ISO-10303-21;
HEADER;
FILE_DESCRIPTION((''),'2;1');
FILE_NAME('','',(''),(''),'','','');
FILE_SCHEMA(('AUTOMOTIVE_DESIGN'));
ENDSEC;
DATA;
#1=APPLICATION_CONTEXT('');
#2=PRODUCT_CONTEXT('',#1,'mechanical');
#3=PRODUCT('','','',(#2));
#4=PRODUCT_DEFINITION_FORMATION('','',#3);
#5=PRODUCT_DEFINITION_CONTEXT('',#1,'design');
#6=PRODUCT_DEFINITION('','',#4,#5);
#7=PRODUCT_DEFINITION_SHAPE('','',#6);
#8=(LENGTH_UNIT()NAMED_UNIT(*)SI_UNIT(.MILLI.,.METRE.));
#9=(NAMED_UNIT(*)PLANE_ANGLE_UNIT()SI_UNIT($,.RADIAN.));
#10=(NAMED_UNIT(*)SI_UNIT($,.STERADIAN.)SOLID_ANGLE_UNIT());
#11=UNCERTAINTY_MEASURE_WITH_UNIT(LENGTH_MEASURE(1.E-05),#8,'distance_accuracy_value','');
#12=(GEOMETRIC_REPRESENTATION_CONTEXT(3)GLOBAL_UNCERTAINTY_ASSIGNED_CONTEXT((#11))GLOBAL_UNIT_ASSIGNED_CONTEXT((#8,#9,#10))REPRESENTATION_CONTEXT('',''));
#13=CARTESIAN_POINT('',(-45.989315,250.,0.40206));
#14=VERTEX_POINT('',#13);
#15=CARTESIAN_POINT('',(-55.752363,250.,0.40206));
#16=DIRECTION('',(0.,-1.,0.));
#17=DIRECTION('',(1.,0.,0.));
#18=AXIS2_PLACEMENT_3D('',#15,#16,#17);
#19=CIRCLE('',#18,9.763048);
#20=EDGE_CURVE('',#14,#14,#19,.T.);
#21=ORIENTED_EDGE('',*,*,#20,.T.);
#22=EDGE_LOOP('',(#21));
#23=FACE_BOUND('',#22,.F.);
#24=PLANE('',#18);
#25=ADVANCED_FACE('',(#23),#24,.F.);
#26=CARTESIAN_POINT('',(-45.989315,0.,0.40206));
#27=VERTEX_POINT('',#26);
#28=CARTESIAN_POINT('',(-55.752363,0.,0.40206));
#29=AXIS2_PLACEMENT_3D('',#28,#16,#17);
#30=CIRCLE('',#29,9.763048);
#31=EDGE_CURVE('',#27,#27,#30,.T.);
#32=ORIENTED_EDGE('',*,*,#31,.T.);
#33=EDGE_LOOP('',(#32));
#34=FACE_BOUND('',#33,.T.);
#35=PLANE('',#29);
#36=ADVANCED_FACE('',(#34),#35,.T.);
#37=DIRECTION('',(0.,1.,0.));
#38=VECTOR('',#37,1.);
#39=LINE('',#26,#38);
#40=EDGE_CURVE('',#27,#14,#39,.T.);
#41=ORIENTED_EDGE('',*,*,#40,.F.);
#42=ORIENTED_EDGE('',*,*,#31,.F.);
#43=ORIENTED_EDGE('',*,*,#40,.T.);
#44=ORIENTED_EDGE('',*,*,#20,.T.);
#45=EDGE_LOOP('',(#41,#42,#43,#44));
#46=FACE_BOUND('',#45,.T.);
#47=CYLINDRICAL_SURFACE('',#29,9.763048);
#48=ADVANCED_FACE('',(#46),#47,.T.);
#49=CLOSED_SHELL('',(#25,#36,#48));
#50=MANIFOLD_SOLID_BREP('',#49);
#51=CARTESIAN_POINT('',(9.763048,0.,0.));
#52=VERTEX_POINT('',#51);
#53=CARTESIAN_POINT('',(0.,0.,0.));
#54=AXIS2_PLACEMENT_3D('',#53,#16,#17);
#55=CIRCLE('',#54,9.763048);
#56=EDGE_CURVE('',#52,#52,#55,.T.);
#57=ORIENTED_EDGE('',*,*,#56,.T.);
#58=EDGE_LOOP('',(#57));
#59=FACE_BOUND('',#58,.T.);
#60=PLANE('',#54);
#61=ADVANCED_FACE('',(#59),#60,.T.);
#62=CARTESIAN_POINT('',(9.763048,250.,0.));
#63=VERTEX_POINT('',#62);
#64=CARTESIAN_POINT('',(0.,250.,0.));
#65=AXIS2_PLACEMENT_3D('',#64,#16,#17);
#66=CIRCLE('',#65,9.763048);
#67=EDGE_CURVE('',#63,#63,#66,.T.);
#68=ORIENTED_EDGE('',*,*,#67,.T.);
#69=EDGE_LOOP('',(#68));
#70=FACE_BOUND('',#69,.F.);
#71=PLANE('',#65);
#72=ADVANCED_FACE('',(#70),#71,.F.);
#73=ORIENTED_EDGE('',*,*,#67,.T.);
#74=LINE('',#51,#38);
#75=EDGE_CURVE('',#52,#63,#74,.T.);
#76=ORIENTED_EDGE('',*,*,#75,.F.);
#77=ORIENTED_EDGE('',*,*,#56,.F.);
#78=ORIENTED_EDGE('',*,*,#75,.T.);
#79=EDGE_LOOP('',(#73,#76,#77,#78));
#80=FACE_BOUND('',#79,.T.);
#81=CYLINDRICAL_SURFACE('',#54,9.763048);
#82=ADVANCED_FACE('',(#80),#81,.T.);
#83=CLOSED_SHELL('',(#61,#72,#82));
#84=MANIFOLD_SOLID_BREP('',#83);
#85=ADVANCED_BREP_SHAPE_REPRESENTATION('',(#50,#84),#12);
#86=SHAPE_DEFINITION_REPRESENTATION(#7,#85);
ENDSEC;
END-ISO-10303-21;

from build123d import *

# Parameters (mm, degrees)
F0_R     = 9.763048
F1_DEPTH = 250


with BuildPart() as f1:
    # F0 (on Front) → F1 (new body)
    with BuildSketch(Plane.XZ):
        Circle(F0_R)
        with Locations((-55.752363, 0.40206)):
            Circle(F0_R)
    extrude(amount=-F1_DEPTH)


solid = f1.part
